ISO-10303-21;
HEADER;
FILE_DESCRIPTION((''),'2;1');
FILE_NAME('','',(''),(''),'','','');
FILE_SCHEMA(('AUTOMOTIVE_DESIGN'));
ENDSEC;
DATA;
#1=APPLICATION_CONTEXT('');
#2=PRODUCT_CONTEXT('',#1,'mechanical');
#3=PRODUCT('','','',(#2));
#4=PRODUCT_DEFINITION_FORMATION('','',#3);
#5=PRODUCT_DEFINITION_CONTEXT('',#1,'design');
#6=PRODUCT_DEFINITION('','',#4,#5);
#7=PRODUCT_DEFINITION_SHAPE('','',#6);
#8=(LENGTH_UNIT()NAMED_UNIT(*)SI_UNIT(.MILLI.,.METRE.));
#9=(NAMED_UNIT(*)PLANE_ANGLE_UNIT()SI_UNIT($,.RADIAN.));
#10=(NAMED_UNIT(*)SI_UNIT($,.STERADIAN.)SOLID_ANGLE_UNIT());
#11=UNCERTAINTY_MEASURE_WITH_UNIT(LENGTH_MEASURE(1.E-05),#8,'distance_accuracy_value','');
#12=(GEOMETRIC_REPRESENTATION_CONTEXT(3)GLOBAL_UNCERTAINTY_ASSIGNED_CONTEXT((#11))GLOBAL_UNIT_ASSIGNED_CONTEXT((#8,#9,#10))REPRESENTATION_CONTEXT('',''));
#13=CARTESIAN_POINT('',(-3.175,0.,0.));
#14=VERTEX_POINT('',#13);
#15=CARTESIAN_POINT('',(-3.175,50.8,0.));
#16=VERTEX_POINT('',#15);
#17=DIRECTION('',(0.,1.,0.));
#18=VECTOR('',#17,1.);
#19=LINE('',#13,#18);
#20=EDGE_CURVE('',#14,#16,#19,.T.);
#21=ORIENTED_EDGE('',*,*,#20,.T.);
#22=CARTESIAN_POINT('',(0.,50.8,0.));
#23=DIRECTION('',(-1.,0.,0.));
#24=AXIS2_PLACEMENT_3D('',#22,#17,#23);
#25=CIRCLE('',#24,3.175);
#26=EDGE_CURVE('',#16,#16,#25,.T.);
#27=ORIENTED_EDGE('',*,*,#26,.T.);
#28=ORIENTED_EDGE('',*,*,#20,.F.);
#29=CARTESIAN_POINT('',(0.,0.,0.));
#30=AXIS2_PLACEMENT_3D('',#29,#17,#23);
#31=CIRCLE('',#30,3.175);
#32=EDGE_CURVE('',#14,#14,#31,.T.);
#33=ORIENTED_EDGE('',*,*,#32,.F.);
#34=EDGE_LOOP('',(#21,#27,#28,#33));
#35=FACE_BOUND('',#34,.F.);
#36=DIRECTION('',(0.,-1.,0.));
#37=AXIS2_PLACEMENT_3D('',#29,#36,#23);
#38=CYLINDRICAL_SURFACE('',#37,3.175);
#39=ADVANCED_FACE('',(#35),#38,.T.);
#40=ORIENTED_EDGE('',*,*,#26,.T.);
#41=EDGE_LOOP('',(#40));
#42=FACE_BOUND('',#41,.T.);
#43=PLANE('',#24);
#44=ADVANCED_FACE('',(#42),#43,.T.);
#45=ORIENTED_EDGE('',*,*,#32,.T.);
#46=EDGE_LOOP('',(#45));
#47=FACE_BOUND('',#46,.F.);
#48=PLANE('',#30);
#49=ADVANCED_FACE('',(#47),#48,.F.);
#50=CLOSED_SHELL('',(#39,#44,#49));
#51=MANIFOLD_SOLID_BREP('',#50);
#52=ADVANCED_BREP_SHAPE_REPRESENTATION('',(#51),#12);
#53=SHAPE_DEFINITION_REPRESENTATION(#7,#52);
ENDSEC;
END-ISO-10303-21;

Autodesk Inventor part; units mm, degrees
ref_plane "YZ Plane" through (0, 0, 0) normal (1, 0, 0) x (0, 1, 0)
ref_plane "XZ Plane" through (0, 0, 0) normal (0, 1, 0) x (-1, 0, 0)
ref_plane "XY Plane" through (0, 0, 0) normal (0, 0, 1) x (1, 0, 0)
sketch "Sketch1" plane through (0, 0, 0) normal (0, 1, 0) x (-1, 0, 0)
  circle A0 centre (0, 0) radius 3.175
  dimension "d0" = 6.35
extrude "Extrusion1" add sketch "Sketch1" along normal blind 50.8
properties part number "pin" material "Aluminum 6061"
